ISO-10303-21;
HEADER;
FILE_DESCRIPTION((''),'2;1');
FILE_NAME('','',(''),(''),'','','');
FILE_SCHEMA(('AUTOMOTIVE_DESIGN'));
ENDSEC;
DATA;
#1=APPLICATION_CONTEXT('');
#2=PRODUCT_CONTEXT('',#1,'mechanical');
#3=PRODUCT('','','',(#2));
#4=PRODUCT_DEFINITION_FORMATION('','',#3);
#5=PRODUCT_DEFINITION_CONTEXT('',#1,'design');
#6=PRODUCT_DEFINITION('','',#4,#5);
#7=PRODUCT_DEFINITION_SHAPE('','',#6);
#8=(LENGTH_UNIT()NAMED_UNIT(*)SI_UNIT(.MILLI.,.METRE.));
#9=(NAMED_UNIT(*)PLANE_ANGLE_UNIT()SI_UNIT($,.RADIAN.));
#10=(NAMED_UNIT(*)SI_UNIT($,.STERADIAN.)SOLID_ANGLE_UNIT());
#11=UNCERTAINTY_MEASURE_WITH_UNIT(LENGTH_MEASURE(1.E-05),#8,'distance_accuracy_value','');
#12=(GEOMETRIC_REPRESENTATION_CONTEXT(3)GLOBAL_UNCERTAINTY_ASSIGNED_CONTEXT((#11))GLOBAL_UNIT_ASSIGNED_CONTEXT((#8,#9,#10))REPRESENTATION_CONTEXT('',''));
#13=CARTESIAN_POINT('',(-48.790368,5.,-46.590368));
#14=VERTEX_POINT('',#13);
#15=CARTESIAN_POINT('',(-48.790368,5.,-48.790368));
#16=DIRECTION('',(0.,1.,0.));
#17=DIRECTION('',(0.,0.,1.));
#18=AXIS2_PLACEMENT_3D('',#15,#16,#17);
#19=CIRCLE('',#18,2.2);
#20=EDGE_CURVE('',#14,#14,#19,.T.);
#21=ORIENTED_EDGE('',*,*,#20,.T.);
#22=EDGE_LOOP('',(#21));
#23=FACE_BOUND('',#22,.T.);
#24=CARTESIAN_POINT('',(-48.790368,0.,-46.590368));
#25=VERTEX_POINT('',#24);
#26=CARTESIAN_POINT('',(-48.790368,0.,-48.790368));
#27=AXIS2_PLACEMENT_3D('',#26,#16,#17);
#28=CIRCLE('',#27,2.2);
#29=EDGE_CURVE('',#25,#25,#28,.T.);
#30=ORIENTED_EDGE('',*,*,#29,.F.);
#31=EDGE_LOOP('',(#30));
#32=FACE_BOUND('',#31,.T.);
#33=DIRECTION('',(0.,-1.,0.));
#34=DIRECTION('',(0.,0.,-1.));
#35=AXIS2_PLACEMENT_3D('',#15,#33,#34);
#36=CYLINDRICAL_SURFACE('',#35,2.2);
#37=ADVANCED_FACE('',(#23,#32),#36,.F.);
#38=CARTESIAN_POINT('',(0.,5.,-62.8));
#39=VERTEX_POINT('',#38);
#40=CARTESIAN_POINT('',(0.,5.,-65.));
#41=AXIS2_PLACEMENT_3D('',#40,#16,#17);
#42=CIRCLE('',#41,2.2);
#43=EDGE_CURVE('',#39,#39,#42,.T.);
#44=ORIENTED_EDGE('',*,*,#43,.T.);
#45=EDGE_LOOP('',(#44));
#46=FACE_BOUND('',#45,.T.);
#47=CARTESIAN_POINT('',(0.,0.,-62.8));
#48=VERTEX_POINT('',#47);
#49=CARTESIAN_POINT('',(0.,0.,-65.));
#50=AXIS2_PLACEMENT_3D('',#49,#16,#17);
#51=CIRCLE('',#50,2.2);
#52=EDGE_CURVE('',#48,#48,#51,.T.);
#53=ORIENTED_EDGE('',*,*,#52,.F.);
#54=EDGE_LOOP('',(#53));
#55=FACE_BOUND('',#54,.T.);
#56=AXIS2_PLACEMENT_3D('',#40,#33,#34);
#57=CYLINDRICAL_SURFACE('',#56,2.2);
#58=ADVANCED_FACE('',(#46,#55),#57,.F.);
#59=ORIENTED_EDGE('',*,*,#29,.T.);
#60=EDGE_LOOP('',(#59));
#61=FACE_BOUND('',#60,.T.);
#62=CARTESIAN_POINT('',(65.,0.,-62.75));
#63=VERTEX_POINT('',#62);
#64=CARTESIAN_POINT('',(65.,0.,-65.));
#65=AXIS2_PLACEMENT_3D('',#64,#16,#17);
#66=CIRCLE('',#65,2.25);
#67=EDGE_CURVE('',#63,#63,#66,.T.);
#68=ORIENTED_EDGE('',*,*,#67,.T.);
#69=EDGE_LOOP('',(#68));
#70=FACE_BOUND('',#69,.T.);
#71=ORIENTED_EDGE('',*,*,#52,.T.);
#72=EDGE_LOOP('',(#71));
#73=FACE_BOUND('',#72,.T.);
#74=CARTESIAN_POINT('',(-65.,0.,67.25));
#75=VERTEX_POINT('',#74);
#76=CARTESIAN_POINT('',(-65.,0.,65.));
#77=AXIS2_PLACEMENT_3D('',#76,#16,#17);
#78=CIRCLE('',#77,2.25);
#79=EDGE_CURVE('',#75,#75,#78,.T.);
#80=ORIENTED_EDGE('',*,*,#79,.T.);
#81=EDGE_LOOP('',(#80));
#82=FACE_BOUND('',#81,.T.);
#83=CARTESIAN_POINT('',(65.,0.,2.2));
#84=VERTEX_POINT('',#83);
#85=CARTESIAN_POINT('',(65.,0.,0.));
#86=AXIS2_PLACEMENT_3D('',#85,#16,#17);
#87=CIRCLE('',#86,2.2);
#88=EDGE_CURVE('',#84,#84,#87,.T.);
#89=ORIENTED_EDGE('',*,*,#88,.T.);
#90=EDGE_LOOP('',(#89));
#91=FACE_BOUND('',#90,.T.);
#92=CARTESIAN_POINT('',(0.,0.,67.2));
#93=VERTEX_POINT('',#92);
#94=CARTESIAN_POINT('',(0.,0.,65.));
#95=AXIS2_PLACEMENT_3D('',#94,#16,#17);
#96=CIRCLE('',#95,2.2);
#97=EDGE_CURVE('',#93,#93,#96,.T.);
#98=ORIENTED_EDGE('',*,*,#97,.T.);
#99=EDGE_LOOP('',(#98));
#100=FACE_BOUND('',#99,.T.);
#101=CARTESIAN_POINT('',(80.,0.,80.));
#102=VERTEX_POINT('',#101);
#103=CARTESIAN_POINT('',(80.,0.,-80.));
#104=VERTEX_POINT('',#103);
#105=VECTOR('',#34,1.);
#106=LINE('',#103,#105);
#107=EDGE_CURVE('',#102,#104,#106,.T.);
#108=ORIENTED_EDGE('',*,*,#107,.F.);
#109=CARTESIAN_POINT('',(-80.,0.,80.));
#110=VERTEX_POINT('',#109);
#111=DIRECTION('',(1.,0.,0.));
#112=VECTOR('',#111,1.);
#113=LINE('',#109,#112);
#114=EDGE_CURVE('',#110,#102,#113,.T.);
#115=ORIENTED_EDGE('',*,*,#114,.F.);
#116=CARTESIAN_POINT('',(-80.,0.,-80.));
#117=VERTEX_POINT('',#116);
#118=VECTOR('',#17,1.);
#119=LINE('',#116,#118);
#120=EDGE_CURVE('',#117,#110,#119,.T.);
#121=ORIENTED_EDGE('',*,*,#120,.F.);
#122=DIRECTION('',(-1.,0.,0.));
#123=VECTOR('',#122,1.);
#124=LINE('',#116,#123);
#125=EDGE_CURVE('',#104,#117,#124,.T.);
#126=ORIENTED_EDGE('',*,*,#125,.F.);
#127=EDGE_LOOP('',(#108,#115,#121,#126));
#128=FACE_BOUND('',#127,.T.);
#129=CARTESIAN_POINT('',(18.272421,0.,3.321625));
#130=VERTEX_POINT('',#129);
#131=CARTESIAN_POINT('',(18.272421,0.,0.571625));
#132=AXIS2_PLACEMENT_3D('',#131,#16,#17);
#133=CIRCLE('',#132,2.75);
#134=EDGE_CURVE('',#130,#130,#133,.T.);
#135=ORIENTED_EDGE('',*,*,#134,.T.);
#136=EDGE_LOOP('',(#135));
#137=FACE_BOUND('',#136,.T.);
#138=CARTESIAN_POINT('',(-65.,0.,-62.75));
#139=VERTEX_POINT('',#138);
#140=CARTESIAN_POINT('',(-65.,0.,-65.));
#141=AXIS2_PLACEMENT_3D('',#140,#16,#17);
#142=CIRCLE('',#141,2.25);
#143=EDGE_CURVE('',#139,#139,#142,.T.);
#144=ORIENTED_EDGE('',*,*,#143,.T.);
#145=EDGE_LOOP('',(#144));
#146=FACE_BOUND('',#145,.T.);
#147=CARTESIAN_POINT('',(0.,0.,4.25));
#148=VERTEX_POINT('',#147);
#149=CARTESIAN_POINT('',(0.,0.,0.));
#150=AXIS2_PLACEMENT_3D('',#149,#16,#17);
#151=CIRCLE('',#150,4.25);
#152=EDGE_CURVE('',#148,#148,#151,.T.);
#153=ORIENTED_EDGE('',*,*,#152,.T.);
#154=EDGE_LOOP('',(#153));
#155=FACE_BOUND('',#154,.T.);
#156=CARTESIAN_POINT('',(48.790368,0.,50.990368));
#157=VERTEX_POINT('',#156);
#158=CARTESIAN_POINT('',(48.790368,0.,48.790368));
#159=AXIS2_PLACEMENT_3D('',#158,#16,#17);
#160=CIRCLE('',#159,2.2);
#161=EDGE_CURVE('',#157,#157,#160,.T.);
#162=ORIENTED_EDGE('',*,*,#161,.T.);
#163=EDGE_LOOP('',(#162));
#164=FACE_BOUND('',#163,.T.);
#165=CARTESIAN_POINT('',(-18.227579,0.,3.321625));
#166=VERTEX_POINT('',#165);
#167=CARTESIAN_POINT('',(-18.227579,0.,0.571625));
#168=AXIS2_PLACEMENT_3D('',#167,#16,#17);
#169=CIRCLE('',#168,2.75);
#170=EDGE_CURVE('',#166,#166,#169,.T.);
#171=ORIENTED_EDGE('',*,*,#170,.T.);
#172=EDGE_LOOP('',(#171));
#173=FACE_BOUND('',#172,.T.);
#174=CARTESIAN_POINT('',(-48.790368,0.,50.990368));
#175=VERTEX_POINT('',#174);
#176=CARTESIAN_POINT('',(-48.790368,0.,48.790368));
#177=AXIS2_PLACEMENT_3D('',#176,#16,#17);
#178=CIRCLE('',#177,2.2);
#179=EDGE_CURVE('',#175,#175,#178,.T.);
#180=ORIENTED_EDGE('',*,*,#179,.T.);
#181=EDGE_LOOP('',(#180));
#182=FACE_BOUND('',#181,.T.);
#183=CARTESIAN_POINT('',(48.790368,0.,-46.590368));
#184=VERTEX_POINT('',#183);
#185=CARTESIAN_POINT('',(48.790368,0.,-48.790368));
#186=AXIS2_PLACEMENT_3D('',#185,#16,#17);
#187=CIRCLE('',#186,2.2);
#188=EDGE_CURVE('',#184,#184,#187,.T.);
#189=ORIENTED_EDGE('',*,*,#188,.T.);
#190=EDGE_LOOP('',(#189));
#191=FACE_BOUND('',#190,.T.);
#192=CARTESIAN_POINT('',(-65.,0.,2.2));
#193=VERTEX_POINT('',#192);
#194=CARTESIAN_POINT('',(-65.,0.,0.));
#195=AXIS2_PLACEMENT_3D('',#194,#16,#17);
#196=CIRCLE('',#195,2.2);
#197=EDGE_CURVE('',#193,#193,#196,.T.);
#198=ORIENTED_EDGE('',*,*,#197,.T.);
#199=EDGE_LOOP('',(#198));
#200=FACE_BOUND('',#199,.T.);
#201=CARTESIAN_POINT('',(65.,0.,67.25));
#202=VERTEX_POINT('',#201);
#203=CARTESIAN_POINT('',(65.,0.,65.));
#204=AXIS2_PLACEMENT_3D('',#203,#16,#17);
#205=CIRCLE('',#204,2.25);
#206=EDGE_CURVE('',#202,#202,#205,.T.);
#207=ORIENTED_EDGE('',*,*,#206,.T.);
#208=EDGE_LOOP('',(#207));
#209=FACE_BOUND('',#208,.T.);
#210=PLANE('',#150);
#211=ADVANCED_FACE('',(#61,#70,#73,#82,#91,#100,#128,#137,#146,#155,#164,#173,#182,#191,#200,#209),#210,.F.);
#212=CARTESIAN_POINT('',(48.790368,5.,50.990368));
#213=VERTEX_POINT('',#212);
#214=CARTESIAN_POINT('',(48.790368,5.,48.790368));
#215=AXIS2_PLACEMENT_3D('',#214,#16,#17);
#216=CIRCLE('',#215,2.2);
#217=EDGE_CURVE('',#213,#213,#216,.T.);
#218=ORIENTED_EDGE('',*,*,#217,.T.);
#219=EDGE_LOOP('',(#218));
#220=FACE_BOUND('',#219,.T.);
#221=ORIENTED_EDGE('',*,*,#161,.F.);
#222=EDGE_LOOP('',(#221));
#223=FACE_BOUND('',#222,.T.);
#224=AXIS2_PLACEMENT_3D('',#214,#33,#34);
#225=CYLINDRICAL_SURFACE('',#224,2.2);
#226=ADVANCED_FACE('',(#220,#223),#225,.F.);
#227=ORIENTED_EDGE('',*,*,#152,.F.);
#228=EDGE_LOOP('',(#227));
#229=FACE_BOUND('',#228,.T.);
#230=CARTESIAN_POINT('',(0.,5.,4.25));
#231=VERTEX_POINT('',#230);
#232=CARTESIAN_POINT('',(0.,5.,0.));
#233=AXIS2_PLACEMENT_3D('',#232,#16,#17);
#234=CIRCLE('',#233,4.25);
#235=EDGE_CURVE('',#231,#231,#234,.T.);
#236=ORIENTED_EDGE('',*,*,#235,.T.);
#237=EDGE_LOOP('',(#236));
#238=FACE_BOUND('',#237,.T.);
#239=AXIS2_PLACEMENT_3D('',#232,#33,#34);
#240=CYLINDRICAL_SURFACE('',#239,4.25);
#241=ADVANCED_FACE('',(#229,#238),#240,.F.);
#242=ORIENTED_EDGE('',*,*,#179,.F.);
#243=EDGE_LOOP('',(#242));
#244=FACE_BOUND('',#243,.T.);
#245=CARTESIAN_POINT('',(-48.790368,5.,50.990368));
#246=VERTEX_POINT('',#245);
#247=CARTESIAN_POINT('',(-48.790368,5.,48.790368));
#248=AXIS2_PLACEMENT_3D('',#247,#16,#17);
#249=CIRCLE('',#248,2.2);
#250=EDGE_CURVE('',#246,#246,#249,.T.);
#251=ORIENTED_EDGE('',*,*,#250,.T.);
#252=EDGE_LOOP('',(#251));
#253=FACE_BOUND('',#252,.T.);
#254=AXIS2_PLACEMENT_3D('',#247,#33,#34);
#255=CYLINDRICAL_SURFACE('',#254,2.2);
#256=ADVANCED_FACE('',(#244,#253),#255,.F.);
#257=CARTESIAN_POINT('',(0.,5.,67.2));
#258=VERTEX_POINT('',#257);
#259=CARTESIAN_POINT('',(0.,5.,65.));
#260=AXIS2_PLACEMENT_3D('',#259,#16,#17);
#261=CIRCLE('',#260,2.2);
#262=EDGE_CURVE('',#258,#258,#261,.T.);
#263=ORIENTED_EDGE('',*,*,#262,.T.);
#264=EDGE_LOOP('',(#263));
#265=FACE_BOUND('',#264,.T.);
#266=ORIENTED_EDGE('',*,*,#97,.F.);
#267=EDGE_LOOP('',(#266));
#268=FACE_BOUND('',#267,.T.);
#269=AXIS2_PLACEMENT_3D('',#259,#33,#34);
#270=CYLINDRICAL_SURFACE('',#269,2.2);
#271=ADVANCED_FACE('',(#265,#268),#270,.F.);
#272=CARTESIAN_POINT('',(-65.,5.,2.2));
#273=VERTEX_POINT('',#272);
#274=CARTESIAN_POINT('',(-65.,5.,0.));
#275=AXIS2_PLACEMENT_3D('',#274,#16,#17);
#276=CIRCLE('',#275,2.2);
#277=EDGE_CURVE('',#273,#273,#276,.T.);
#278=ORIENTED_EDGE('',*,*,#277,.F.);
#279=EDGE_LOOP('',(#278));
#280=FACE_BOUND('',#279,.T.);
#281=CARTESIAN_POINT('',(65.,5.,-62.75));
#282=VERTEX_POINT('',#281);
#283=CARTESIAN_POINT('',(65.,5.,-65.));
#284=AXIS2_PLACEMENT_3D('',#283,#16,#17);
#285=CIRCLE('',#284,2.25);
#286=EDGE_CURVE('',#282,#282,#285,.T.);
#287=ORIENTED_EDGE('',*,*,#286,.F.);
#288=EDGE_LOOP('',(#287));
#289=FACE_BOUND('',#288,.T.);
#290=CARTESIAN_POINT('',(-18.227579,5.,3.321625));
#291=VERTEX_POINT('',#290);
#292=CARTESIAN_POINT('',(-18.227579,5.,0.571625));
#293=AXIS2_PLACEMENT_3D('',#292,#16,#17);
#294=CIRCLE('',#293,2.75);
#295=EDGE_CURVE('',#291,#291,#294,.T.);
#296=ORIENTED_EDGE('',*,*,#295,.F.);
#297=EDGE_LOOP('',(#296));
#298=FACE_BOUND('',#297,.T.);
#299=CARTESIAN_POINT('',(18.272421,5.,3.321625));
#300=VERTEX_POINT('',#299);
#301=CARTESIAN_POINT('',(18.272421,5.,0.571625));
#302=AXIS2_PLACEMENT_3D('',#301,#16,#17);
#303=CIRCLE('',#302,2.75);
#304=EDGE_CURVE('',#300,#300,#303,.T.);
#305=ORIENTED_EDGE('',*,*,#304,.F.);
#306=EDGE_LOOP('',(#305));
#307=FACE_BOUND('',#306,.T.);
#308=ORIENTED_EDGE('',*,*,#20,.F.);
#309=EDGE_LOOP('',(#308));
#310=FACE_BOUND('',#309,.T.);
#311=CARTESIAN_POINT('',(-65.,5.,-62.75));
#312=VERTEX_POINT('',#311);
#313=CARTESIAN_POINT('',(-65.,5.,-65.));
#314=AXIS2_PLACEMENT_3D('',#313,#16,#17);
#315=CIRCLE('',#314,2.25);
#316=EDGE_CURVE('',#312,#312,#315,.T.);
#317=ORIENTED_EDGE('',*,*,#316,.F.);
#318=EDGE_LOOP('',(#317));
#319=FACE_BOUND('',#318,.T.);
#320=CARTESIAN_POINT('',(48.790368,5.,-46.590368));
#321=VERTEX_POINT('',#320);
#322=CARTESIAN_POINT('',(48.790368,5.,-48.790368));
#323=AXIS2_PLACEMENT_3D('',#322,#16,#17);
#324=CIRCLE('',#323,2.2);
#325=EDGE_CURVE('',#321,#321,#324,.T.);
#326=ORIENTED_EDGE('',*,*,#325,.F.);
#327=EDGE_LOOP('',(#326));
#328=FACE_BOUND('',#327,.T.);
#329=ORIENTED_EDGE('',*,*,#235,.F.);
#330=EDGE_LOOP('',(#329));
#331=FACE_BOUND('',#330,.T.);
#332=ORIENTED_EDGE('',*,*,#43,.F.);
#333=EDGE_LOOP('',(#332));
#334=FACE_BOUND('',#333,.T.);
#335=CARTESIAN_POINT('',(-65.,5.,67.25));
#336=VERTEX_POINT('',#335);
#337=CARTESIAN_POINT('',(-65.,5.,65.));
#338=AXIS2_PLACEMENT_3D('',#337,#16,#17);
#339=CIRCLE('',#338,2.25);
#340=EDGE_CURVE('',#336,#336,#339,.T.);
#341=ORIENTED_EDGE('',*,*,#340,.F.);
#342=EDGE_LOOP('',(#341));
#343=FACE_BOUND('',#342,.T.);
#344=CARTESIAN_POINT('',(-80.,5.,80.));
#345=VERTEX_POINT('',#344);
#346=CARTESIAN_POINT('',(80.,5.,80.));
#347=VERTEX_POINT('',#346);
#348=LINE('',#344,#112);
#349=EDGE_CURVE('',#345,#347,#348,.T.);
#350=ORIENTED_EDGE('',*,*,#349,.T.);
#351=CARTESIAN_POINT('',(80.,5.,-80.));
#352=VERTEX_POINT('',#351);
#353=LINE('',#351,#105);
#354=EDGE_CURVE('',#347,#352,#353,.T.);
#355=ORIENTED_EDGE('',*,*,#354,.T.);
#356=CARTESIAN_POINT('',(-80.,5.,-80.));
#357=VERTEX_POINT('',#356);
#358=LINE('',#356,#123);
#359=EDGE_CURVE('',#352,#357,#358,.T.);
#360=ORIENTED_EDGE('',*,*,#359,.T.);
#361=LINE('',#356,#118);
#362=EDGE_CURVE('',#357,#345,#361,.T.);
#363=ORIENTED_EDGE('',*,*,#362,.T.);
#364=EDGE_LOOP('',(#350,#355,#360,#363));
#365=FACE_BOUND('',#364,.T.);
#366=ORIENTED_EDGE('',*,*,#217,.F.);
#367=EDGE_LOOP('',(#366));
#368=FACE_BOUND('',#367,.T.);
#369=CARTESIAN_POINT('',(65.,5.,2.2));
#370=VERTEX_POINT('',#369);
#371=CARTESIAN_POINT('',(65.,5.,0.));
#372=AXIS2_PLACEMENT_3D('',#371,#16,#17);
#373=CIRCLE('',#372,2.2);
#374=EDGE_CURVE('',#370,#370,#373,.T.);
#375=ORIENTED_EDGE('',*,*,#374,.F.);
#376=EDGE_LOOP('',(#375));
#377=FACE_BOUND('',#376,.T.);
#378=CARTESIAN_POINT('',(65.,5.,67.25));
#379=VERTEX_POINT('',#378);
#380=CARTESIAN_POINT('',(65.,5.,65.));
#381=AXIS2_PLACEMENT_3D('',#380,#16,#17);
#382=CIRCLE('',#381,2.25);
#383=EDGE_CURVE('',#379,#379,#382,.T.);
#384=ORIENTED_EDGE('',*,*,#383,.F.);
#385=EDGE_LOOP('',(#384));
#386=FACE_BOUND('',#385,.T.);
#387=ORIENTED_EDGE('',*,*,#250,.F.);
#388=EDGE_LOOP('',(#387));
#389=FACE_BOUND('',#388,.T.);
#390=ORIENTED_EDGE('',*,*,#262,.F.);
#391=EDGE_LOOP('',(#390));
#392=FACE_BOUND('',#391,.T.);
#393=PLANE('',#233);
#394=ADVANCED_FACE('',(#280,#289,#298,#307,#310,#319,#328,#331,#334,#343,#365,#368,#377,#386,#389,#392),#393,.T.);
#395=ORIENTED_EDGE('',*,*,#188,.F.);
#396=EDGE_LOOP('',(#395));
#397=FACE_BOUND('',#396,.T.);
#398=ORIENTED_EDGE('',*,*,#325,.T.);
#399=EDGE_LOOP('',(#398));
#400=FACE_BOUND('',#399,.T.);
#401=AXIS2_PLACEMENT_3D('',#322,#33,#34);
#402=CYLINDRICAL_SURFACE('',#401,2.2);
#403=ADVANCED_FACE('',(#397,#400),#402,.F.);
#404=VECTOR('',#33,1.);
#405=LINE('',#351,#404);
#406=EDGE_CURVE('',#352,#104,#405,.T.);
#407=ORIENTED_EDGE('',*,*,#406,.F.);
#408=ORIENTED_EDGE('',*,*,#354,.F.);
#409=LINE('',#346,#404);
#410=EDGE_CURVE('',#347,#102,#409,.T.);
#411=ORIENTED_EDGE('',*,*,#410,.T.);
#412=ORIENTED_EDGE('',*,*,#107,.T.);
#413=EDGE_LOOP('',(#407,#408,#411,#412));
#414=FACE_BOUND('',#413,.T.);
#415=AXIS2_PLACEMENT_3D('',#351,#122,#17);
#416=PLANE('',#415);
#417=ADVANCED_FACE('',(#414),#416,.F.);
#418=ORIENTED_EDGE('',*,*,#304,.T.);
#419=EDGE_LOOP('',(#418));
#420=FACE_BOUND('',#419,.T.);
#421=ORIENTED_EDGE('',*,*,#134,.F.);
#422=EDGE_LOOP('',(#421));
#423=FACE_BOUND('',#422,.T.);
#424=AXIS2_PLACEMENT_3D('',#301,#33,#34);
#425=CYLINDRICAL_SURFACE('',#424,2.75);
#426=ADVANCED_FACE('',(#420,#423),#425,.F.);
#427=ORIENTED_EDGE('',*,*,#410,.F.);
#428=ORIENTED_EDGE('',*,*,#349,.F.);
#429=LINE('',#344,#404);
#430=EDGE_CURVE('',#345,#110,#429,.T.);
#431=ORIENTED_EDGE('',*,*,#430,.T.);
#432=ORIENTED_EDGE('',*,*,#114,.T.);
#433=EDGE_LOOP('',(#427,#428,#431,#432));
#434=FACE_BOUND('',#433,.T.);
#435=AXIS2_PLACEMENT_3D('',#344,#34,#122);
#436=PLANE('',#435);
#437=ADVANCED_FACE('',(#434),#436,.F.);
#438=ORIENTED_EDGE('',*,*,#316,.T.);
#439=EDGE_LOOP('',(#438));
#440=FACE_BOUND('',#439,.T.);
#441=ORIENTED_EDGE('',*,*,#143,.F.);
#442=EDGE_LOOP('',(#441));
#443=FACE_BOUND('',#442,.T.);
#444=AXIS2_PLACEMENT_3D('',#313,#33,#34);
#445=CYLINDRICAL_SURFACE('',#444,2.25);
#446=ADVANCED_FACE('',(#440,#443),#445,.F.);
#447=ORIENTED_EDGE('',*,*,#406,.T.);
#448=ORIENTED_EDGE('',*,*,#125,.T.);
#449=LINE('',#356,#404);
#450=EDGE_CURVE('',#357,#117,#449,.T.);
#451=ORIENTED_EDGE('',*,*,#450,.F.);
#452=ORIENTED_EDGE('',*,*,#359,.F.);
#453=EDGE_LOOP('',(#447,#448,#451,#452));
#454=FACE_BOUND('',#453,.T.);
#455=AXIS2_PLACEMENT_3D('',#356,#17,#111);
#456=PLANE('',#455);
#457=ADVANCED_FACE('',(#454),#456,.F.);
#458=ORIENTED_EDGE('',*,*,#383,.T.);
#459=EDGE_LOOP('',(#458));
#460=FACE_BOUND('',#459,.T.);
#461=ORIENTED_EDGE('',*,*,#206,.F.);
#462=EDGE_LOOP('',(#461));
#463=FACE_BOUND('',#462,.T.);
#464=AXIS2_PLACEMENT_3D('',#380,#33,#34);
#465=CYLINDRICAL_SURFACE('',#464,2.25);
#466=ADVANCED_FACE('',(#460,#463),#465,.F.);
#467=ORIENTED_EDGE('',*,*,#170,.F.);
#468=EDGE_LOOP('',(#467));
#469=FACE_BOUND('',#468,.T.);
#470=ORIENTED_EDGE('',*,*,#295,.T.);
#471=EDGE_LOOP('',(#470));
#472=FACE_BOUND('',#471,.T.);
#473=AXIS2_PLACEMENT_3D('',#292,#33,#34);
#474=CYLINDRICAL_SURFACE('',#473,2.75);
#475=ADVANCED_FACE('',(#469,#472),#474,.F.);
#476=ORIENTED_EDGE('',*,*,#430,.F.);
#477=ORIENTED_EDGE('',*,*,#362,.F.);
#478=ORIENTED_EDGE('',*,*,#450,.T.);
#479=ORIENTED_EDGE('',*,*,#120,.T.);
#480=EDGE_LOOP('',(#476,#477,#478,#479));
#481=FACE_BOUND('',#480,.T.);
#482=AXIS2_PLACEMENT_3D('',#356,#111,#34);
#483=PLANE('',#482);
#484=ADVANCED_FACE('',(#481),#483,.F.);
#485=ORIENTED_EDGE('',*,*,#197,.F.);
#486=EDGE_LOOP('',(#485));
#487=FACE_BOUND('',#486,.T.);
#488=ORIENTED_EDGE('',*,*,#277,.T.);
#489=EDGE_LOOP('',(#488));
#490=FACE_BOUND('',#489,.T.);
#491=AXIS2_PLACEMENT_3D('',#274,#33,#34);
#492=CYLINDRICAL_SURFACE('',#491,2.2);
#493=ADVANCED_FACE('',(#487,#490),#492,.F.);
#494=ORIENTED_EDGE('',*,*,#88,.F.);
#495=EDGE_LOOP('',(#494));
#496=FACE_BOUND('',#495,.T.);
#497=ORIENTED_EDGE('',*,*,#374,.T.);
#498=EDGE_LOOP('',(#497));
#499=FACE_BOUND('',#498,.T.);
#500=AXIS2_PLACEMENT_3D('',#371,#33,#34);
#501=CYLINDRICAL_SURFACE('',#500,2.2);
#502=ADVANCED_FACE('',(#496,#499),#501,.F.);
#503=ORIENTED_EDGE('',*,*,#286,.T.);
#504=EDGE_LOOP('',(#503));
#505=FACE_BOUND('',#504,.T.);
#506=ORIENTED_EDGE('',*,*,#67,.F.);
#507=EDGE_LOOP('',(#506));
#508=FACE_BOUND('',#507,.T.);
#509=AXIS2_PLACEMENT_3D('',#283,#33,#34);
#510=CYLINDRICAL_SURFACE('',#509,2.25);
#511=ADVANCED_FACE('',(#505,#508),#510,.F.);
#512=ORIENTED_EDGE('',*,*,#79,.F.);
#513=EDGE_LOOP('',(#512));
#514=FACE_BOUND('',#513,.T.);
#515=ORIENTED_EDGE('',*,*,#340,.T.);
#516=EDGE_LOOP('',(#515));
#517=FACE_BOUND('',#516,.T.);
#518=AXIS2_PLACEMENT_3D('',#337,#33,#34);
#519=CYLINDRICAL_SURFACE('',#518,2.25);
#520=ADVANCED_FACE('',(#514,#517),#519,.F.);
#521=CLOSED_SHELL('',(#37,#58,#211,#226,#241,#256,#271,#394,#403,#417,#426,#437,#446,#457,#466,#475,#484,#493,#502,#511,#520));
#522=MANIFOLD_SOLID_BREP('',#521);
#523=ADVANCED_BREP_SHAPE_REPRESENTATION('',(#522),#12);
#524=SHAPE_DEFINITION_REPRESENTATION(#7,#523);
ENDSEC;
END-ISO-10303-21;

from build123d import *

# Parameters (mm, degrees)
SKETCH1_W           = 160
SKETCH1_H           = 160
SKETCH1_R           = 2.2
SKETCH1_R_2         = 4.25
SKETCH1_R_3         = 2.75
SKETCH1_R_4         = 2.25
BOSS_EXTRUDE1_DEPTH = 5


with BuildPart() as part:
    # Sketch1 → Boss-Extrude1 (new body)
    with BuildSketch(Plane(origin=(0, 0, 0), x_dir=(1, 0, 0), z_dir=(0, 1, 0))):
        Rectangle(SKETCH1_W, SKETCH1_H)
        with Locations((48.790367902, 48.790367902)):
            Circle(SKETCH1_R, mode=Mode.SUBTRACT)
        with Locations((48.790367902, -48.790367902)):
            Circle(SKETCH1_R, mode=Mode.SUBTRACT)
        with Locations((-48.790367902, -48.790367902)):
            Circle(SKETCH1_R, mode=Mode.SUBTRACT)
        with Locations((-48.790367902, 48.790367902)):
            Circle(SKETCH1_R, mode=Mode.SUBTRACT)
        Circle(SKETCH1_R_2, mode=Mode.SUBTRACT)
        with Locations((18.272421355, -0.571625498)):
            Circle(SKETCH1_R_3, mode=Mode.SUBTRACT)
        with Locations((-18.227578645, -0.571625498)):
            Circle(SKETCH1_R_3, mode=Mode.SUBTRACT)
        with Locations((0, 65)):
            Circle(SKETCH1_R, mode=Mode.SUBTRACT)
        with Locations((65, 0)):
            Circle(SKETCH1_R, mode=Mode.SUBTRACT)
        with Locations((0, -65)):
            Circle(SKETCH1_R, mode=Mode.SUBTRACT)
        with Locations((-65, 0)):
            Circle(SKETCH1_R, mode=Mode.SUBTRACT)
        with Locations((-65, 65)):
            Circle(SKETCH1_R_4, mode=Mode.SUBTRACT)
        with Locations((65, 65)):
            Circle(SKETCH1_R_4, mode=Mode.SUBTRACT)
        with Locations((65, -65)):
            Circle(SKETCH1_R_4, mode=Mode.SUBTRACT)
        with Locations((-65, -65)):
            Circle(SKETCH1_R_4, mode=Mode.SUBTRACT)
    extrude(amount=BOSS_EXTRUDE1_DEPTH)


solid = part.part
